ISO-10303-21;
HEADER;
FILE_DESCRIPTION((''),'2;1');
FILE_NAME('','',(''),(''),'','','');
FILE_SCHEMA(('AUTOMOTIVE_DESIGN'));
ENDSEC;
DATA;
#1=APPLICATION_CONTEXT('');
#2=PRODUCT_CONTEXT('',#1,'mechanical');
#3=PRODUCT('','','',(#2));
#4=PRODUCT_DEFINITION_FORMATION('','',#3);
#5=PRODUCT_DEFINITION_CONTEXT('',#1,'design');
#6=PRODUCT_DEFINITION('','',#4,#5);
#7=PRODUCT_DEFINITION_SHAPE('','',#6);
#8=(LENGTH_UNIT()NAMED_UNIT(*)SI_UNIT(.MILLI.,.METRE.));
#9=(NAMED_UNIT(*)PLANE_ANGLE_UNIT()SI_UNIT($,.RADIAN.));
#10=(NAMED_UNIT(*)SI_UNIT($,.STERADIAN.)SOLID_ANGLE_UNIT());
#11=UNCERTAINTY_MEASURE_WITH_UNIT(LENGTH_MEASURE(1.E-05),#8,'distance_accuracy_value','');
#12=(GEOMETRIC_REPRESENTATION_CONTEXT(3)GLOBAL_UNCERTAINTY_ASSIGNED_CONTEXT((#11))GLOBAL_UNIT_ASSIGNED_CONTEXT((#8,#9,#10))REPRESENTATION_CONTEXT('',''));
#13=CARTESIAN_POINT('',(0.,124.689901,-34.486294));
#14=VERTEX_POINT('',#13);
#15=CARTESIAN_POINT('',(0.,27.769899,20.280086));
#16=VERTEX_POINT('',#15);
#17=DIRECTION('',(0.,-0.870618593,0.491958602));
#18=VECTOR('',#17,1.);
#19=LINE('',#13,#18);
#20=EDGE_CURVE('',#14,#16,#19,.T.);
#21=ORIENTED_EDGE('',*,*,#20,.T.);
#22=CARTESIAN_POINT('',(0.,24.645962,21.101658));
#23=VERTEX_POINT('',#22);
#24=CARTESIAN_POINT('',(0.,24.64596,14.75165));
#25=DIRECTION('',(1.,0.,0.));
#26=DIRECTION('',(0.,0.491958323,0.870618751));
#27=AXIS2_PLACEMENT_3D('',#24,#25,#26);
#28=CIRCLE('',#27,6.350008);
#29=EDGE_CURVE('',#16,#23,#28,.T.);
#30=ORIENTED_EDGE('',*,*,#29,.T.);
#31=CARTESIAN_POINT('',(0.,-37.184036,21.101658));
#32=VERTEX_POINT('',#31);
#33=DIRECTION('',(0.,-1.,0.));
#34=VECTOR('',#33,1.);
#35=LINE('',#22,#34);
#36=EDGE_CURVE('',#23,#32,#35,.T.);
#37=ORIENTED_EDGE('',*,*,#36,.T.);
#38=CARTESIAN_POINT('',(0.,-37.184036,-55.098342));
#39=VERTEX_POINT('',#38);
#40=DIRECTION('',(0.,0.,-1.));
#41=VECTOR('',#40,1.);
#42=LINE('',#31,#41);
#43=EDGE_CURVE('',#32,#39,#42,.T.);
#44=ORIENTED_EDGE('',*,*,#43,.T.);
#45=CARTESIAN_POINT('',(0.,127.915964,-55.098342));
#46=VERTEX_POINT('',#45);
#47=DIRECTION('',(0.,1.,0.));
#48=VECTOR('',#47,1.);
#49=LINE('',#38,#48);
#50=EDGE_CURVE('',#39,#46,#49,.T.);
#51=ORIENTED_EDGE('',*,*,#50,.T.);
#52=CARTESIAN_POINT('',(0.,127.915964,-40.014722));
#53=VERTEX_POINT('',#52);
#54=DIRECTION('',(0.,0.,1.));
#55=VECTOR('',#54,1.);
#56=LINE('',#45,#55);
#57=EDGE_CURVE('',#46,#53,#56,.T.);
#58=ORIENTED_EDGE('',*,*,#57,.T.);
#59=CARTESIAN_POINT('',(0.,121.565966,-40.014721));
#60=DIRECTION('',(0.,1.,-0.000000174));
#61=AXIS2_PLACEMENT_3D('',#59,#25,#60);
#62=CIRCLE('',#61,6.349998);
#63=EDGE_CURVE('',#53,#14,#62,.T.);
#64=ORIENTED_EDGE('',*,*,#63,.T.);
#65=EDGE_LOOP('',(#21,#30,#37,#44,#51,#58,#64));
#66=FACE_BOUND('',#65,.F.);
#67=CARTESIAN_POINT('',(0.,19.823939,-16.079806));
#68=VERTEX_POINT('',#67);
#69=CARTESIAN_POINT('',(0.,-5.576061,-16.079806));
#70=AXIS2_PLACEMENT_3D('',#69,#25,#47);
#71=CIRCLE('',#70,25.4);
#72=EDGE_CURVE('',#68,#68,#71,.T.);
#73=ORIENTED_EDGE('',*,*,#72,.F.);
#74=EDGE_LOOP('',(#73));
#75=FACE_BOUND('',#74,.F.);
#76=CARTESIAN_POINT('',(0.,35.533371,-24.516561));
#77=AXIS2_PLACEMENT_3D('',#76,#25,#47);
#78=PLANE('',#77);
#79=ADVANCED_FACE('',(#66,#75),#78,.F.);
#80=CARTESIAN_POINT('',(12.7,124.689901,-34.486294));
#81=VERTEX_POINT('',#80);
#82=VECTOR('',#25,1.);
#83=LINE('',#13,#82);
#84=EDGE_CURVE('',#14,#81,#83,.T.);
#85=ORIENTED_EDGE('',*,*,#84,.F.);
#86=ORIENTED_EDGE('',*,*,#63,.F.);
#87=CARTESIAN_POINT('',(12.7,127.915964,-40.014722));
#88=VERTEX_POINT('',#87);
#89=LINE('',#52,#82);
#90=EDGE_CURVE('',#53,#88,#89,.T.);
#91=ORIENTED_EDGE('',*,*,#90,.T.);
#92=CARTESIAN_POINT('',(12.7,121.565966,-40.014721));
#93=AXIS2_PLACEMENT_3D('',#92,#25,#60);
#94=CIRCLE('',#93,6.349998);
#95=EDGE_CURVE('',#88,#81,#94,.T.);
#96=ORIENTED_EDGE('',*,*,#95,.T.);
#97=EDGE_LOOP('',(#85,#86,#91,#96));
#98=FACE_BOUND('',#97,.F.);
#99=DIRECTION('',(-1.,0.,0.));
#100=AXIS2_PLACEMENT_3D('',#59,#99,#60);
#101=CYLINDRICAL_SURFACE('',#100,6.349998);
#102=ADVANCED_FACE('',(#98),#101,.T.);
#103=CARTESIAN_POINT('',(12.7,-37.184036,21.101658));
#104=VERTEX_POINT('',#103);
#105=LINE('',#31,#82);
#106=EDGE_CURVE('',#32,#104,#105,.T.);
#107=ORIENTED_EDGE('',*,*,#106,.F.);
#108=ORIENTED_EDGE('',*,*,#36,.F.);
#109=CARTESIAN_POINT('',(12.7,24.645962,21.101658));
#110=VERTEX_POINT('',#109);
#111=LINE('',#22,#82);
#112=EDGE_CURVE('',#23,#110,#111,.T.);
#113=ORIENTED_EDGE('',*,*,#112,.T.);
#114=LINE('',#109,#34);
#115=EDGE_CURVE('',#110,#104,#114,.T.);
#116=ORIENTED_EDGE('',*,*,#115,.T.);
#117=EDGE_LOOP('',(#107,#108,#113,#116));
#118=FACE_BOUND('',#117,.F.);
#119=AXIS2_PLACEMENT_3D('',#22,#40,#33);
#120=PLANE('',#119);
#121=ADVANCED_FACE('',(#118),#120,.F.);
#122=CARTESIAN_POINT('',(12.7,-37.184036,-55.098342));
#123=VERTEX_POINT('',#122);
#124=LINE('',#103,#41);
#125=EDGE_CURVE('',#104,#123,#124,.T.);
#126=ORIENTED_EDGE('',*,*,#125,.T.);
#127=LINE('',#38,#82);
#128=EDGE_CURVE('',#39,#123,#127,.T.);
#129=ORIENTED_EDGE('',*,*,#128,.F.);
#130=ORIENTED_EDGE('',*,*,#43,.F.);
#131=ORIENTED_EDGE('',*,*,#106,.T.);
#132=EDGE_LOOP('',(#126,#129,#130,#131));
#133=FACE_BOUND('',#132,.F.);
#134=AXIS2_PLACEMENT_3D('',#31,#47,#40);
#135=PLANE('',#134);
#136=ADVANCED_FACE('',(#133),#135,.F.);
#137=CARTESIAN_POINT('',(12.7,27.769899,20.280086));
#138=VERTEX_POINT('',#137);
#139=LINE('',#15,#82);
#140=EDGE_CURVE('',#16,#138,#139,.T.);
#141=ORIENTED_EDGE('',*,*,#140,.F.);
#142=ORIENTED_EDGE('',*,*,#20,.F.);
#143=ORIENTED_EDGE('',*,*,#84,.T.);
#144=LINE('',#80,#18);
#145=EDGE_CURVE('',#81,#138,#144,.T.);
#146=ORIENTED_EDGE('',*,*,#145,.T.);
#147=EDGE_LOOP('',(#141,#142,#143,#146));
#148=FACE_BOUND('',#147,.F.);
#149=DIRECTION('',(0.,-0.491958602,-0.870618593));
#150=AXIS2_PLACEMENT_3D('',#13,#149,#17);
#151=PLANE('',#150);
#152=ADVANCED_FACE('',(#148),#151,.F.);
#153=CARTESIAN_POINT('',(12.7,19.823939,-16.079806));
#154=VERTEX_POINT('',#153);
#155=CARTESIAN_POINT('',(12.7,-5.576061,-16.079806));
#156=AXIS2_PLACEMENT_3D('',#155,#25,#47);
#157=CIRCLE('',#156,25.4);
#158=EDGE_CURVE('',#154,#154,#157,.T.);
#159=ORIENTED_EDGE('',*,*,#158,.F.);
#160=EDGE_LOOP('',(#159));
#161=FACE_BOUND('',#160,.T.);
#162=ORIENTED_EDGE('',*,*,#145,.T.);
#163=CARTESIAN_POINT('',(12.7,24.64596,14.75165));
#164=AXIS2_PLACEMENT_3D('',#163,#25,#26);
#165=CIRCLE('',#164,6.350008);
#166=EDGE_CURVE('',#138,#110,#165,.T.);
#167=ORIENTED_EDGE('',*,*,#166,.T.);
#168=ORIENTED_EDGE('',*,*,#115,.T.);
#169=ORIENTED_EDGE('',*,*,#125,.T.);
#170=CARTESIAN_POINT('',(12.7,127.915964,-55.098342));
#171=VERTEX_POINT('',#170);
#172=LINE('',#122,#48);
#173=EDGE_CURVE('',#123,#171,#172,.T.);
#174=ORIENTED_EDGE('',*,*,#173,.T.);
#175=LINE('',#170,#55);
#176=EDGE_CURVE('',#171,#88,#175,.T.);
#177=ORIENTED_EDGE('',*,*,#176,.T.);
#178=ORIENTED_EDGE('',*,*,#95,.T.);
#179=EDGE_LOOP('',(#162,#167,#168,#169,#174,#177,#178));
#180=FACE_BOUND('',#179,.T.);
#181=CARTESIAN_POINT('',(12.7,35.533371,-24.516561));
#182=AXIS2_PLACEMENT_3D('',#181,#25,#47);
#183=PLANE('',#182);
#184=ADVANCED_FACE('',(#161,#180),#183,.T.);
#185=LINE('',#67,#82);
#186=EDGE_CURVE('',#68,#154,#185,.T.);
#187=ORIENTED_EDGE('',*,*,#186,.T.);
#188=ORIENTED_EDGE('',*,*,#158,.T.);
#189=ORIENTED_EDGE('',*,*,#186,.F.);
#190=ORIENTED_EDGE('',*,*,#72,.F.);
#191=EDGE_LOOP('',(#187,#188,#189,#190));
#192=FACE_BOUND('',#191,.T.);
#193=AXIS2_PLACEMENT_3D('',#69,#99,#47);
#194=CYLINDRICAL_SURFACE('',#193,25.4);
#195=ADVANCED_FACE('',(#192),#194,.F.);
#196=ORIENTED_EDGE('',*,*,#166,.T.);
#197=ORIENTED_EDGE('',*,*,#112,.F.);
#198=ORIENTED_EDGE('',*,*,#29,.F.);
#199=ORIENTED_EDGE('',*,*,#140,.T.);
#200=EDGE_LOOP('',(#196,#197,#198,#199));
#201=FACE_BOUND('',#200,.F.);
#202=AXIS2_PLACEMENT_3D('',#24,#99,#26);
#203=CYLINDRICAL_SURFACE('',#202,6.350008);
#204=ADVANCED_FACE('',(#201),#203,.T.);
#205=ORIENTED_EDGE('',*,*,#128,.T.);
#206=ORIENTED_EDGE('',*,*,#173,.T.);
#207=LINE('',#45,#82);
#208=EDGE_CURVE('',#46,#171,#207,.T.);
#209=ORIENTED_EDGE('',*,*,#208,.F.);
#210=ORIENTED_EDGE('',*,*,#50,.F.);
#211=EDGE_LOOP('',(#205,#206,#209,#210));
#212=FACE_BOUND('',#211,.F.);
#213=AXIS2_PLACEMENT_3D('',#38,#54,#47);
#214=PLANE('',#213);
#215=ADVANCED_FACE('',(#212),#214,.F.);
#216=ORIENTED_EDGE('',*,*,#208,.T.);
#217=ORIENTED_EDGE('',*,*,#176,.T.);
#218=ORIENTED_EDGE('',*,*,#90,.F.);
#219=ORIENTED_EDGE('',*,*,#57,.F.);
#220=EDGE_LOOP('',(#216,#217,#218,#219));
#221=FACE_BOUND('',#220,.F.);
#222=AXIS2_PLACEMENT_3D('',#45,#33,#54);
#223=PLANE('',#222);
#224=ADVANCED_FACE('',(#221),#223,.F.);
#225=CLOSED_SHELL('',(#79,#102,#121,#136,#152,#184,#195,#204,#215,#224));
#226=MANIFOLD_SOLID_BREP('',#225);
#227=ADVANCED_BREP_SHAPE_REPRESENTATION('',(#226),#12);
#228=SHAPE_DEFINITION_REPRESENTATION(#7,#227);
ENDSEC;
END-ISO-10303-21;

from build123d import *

# Parameters (mm, degrees)
F0_R     = 25.4
F1_DEPTH = 12.7


with BuildPart() as f1:
    # F0 (on Right) → F1 (new body)
    with BuildSketch(Plane.YZ):
        with BuildLine():
            Line((24.645962, 21.101658), (-37.184036, 21.101658))
            Line((-37.184036, 21.101658), (-37.184036, -55.098342))
            Line((-37.184036, -55.098342), (26.315964, -55.098342))
            Line((26.315964, -55.098342), (127.915964, -55.098342))
            Line((127.915964, -55.098342), (127.915964, -40.014722))
            ThreePointArc((127.915964, -40.014722), (127.050465, -36.814292), (124.689901, -34.486294))
            Line((124.689901, -34.486294), (27.769899, 20.280086))
            ThreePointArc((27.769899, 20.280086), (26.261044, 20.892831), (24.645962, 21.101658))
        make_face()
        with Locations((-5.576061, -16.079806)):
            Circle(F0_R, mode=Mode.SUBTRACT)
    extrude(amount=F1_DEPTH)


solid = f1.part
